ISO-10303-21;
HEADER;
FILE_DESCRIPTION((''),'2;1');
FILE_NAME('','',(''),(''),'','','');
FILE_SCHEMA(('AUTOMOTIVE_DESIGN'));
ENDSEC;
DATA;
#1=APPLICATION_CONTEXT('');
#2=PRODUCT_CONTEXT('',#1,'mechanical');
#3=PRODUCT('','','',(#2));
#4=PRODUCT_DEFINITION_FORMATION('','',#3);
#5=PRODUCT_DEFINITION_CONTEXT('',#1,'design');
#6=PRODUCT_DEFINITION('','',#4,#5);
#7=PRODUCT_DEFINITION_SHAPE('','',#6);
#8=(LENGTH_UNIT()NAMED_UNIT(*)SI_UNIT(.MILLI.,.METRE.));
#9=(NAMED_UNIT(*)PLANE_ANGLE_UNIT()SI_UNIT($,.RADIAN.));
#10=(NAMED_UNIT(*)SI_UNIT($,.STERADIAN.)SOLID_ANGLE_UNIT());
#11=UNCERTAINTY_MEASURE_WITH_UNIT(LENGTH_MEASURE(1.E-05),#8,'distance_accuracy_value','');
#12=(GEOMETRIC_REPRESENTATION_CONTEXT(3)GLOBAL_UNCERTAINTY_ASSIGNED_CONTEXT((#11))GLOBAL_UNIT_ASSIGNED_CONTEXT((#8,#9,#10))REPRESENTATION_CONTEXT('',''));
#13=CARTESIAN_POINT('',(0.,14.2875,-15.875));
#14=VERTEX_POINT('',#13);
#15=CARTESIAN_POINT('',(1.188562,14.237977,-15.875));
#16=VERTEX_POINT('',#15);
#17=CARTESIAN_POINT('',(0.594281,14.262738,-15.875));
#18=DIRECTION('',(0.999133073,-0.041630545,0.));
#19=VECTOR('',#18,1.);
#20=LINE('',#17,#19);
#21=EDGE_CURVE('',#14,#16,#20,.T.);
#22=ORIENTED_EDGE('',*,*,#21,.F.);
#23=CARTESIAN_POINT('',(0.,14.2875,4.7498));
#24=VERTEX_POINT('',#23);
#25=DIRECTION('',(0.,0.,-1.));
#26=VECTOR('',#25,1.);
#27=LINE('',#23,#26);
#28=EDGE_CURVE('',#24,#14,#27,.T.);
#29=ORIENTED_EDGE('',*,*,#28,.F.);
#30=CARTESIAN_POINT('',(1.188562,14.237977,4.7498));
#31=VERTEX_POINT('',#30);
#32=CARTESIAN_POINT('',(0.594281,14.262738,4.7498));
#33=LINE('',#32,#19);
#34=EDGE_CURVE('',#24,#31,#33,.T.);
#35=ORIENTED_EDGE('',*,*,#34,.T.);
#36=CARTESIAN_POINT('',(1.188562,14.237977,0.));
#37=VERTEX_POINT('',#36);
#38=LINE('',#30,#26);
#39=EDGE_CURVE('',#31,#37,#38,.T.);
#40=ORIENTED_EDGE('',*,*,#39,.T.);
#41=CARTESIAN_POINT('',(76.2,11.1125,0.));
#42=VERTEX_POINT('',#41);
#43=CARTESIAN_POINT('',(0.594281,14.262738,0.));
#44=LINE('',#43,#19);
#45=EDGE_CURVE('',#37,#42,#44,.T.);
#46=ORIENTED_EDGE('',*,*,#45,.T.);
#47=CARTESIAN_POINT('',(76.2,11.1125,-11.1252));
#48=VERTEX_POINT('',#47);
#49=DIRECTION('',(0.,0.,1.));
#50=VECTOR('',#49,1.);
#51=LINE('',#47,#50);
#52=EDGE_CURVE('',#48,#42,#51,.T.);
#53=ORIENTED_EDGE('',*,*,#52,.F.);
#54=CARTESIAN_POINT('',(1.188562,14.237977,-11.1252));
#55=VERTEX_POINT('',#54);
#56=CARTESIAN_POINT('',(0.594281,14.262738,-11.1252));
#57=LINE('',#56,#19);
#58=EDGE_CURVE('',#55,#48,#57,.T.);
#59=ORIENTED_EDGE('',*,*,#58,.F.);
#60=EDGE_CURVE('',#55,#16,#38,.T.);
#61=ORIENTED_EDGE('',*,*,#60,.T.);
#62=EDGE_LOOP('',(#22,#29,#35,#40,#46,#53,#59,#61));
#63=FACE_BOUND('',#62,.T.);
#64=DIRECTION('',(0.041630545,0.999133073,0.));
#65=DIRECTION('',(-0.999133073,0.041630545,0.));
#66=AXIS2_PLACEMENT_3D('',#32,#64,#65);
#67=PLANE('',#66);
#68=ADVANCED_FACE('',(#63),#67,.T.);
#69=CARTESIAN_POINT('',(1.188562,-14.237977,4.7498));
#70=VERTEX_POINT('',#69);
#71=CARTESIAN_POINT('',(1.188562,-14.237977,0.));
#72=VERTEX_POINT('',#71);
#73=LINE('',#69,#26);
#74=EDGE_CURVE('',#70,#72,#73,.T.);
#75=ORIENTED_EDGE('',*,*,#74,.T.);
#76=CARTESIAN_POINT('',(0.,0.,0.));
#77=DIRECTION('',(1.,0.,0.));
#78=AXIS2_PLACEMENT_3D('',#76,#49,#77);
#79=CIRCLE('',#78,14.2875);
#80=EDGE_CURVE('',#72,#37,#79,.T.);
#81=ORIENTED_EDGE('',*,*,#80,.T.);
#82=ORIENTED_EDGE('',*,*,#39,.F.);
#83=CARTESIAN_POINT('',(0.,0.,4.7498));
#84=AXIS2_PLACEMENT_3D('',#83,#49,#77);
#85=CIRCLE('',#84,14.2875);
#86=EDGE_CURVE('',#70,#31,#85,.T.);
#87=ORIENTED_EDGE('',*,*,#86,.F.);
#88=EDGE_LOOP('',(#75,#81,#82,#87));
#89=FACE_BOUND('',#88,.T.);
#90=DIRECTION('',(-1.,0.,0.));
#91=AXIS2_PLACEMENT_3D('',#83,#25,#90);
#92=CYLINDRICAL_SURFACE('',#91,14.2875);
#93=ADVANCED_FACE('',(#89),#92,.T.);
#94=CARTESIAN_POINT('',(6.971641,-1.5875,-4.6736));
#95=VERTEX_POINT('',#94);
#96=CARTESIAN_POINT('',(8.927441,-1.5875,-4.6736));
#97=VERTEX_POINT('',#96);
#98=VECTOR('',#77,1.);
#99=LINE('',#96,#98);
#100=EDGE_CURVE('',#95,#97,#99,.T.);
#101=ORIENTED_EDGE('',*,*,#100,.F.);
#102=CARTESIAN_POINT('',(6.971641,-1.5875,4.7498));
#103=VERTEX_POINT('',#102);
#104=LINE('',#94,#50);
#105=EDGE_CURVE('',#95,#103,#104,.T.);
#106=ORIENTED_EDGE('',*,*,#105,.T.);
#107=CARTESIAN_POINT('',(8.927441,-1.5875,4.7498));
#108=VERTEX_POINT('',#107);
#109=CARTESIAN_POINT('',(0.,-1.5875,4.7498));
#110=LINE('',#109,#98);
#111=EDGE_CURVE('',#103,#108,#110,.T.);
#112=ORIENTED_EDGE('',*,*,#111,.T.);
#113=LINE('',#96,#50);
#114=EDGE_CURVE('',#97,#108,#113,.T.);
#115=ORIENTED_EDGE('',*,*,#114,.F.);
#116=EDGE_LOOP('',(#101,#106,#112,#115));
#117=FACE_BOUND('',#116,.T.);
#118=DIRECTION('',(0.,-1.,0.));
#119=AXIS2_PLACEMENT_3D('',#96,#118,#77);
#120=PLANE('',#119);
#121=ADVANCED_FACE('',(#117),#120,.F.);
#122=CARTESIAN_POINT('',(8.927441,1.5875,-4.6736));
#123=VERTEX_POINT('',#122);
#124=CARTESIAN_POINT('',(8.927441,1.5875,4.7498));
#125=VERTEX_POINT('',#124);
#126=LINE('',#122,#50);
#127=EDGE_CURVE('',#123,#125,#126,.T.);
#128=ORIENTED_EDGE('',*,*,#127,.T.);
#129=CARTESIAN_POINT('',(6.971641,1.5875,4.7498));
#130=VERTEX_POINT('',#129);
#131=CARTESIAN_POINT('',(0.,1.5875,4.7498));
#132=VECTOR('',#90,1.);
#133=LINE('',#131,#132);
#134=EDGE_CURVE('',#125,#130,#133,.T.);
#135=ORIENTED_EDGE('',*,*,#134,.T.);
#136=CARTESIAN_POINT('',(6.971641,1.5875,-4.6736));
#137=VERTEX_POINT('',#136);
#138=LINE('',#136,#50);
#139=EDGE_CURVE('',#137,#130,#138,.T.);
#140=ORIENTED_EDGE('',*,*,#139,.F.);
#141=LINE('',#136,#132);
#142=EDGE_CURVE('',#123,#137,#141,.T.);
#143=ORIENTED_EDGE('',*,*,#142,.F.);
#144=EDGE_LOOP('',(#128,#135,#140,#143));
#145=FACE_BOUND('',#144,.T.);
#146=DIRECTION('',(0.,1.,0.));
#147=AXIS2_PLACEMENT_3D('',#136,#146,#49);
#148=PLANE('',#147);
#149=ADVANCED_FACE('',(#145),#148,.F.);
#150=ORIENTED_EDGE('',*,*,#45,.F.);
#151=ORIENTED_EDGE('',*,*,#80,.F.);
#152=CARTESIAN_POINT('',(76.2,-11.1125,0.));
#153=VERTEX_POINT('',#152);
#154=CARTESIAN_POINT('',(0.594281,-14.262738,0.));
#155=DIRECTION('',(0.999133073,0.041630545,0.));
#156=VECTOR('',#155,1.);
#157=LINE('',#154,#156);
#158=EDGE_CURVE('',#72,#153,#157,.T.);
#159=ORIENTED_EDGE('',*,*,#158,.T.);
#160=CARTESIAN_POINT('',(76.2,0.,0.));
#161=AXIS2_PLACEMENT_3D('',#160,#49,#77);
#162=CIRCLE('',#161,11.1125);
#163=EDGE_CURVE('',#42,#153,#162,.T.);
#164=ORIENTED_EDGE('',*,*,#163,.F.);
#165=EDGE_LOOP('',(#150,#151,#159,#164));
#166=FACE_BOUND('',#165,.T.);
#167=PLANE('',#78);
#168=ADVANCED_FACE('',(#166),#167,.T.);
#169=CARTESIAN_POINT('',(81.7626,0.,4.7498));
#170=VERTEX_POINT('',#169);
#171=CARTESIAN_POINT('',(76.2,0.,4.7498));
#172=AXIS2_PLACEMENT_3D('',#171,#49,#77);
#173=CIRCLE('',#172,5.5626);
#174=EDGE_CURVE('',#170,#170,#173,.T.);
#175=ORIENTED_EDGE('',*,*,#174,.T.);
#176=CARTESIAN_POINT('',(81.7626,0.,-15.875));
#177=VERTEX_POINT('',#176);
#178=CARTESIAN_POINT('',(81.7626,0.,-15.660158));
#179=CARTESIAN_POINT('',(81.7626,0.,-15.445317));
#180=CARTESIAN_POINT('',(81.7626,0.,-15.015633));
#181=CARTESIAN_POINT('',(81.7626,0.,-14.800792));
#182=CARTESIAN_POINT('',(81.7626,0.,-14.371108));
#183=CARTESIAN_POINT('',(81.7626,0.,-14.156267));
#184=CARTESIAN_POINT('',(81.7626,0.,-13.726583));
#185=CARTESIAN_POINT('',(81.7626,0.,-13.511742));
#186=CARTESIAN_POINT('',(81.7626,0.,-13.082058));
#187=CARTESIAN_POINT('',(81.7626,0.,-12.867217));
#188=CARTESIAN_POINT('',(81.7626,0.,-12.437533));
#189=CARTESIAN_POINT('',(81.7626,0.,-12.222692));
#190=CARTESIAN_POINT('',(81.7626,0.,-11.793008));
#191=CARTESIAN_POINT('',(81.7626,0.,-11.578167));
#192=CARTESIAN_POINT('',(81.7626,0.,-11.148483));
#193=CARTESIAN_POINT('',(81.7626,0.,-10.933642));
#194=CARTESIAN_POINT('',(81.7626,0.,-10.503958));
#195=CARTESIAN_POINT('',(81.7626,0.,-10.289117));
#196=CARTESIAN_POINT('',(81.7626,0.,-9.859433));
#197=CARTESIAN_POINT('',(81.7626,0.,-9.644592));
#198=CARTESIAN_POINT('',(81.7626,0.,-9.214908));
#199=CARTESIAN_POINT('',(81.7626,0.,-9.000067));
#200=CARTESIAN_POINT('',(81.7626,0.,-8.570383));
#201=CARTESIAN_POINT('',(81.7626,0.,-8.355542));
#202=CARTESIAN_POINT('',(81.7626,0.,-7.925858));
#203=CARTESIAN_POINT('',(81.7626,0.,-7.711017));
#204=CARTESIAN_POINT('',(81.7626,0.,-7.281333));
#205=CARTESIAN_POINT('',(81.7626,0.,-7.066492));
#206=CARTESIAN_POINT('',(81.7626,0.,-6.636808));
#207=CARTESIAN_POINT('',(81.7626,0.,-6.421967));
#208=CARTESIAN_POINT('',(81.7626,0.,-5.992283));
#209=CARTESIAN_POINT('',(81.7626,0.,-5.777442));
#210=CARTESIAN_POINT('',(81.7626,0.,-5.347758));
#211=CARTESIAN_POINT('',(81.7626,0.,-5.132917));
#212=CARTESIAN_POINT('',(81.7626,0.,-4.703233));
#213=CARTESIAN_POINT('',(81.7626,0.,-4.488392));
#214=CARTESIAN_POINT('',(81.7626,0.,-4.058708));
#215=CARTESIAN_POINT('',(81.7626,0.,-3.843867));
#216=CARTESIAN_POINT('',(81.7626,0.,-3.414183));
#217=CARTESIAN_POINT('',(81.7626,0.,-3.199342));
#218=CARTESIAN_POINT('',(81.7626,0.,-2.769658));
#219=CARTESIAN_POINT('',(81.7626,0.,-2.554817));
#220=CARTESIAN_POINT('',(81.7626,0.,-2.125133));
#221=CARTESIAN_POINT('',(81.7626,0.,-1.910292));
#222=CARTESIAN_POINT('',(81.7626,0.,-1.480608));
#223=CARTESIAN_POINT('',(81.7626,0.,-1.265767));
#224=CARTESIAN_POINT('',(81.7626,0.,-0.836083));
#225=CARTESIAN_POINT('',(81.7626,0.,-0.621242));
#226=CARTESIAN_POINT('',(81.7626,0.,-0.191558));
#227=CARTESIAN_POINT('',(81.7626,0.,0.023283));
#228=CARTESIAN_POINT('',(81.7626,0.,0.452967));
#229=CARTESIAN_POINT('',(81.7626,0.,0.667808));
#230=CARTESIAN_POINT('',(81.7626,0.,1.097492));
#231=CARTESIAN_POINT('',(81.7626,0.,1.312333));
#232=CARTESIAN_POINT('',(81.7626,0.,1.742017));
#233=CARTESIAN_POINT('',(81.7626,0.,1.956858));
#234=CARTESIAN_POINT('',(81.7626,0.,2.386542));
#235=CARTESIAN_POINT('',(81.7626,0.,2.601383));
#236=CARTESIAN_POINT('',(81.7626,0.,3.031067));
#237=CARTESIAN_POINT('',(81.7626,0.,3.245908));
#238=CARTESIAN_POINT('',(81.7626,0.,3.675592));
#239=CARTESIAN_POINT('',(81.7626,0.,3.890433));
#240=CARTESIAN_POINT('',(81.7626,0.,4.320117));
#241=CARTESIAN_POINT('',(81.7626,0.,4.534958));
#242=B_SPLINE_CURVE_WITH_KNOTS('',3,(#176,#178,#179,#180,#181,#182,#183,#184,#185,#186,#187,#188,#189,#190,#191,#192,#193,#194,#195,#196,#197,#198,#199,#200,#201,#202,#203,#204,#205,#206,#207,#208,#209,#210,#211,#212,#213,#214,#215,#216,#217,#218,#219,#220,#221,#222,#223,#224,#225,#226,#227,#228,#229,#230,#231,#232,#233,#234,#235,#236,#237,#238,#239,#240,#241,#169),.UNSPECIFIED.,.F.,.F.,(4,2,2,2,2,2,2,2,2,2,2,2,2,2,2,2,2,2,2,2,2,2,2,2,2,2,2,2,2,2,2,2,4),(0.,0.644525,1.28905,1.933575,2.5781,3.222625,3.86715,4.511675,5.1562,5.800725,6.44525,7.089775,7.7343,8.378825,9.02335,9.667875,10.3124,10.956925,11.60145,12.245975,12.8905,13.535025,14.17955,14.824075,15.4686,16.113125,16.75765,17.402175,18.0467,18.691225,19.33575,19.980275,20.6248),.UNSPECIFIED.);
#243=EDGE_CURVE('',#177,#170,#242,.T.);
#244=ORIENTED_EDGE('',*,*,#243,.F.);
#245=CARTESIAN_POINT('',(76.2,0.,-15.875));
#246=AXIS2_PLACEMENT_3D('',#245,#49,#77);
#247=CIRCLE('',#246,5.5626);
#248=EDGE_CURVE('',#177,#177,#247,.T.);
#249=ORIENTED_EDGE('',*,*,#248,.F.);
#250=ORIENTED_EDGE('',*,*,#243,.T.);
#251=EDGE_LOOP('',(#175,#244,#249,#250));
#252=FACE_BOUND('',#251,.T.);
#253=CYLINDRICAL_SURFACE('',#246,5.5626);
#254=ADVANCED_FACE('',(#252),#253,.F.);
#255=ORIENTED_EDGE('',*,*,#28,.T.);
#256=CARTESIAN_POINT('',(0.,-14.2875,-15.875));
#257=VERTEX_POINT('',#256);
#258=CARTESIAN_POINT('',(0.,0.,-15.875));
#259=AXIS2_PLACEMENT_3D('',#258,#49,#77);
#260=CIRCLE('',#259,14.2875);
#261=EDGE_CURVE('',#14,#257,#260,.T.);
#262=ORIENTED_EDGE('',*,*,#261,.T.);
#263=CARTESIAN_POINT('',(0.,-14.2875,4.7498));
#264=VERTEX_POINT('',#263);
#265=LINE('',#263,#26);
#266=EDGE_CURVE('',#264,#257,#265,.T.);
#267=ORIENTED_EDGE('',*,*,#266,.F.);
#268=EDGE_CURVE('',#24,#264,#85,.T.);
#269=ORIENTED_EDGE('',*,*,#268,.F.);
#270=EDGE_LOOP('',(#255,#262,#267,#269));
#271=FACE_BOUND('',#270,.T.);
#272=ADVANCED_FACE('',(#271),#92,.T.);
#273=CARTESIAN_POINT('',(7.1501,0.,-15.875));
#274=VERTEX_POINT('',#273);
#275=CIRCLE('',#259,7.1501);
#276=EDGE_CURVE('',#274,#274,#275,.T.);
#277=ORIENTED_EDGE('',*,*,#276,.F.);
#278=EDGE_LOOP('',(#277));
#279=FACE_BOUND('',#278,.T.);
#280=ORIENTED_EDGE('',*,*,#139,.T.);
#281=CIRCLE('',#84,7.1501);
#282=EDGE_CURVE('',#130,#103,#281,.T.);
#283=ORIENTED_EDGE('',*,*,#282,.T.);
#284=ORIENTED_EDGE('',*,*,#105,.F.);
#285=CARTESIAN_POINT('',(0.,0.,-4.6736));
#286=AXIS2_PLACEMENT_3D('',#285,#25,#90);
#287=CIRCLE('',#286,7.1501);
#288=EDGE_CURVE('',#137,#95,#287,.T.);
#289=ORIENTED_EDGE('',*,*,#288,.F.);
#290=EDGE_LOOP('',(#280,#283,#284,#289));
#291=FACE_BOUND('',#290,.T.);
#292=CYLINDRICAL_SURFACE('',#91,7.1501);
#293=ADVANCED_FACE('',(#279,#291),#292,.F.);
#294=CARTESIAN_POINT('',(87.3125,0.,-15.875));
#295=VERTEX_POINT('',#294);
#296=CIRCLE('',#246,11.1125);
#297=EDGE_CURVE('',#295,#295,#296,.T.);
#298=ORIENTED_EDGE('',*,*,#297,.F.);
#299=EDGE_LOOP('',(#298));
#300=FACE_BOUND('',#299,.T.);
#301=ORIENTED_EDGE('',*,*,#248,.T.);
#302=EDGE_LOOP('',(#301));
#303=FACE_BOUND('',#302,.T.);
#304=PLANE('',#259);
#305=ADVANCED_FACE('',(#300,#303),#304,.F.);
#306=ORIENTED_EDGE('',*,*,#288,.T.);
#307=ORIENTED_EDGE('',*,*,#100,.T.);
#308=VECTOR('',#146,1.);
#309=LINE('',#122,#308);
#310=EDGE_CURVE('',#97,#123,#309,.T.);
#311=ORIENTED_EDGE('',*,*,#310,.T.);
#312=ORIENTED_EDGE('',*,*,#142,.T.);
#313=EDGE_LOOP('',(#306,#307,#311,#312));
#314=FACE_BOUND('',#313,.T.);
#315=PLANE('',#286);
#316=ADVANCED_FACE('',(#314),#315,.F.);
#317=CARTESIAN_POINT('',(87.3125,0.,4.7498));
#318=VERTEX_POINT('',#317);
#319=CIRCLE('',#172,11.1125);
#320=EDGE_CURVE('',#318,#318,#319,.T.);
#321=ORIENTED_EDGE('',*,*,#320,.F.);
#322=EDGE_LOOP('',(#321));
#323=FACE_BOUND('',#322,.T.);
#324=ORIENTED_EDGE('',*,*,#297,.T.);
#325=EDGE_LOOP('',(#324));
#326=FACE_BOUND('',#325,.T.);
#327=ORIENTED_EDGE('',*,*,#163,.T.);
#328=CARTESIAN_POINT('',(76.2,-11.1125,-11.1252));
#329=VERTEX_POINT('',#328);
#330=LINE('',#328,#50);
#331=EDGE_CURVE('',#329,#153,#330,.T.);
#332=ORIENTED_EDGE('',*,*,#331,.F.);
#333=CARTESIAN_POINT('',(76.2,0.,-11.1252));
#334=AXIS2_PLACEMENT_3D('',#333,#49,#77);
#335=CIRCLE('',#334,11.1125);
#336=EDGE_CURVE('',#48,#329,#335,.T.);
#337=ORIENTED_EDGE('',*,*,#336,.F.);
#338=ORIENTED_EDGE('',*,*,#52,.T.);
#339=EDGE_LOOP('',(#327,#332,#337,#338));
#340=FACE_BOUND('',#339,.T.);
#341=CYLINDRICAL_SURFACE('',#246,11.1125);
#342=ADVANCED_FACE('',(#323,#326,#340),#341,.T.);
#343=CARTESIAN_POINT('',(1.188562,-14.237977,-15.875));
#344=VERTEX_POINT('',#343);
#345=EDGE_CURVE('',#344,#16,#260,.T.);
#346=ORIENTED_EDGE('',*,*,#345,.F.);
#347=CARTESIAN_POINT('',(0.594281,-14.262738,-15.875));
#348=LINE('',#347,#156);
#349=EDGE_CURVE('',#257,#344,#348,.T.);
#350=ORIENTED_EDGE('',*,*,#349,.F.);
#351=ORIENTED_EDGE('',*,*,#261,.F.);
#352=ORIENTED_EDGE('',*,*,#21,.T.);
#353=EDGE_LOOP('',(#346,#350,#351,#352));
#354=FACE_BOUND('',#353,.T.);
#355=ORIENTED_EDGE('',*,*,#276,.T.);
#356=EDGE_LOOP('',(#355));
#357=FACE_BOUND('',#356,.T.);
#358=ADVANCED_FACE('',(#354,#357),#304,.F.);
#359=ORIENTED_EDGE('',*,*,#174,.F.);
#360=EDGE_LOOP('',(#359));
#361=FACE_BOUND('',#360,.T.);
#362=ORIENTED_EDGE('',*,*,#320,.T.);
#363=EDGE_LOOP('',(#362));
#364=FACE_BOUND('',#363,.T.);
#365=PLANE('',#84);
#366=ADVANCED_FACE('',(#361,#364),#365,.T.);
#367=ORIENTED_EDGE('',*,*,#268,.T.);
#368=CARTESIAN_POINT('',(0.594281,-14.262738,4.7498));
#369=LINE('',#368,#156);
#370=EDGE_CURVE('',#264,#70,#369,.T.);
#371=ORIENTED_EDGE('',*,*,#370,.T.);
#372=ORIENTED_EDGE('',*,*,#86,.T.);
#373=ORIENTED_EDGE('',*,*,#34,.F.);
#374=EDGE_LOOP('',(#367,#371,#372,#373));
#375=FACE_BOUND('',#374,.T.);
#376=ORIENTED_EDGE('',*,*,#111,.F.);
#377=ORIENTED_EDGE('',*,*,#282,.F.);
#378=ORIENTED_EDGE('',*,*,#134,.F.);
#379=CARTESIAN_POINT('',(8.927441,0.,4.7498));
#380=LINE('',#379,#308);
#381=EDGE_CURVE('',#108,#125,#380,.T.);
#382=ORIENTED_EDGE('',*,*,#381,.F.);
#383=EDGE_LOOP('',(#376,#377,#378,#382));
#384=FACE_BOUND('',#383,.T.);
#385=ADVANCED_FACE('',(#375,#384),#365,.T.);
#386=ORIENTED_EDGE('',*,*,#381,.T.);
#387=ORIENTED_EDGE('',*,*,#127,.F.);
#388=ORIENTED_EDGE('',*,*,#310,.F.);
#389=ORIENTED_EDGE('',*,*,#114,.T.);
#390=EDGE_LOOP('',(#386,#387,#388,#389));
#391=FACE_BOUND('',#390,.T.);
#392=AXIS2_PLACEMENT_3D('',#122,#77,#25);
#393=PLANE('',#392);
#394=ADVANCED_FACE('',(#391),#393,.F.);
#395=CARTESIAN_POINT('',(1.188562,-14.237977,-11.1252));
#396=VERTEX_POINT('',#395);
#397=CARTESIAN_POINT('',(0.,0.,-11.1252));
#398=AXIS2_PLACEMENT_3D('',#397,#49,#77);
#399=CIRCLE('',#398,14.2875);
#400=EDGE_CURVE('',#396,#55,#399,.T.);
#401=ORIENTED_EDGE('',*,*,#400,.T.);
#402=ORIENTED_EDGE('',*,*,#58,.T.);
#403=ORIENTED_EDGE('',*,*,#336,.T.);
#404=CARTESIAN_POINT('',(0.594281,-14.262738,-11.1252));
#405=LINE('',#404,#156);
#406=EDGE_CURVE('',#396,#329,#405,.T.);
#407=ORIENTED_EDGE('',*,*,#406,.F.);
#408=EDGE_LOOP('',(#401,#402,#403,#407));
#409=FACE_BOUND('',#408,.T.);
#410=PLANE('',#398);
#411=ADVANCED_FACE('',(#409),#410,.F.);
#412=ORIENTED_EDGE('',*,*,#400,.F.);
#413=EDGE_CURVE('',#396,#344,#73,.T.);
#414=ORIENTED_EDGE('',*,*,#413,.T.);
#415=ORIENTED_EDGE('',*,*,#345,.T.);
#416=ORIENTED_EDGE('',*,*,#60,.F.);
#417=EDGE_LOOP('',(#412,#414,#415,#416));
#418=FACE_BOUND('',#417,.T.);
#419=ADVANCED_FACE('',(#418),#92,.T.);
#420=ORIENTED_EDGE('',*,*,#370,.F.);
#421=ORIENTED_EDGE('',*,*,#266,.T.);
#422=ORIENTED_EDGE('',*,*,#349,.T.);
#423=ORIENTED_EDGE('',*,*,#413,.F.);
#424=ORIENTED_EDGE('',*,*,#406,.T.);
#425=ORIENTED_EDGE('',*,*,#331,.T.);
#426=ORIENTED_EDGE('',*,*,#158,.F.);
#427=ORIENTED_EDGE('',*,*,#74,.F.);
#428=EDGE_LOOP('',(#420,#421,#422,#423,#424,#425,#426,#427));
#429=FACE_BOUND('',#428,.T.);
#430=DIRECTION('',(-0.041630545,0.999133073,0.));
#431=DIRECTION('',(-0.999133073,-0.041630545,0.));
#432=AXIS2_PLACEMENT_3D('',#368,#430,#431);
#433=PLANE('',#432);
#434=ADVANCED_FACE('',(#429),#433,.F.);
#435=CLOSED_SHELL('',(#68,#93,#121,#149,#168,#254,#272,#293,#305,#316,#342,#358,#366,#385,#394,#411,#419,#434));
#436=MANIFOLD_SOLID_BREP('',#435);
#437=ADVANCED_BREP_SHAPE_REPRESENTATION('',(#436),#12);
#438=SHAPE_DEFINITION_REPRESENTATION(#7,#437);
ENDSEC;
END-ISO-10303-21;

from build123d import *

# Parameters (mm, degrees)
SKETCH1_R               = 7.1501
BOSS_EXTRUDE1_DEPTH     = 4.7498
SKETCH1_R_2             = 11.1125
SKETCH1_R_3             = 5.5626
BOSS_EXTRUDE1_2_DEPTH   = 4.7498
BOSS_EXTRUDE2_DEPTH     = 11.1252
BOSS_EXTRUDE3_START     = -15.875
SKETCH1_4_R             = 7.1501
SKETCH1_4_R_2           = 11.1125
SKETCH1_4_R_3           = 5.5626
BOSS_EXTRUDE3_DEPTH     = 15.875
CUT_EXTRUDE2_DEPTH      = 4.826
CUT_EXTRUDE2_DEPTH_BACK = 4.6736


with BuildPart() as part:
    # Sketch1 → Boss-Extrude1 (new body)
    with BuildSketch(Plane.XY):
        with BuildLine():
            Line((1.188561525, 14.237976603), (0, 14.2875))
            ThreePointArc((0, 14.2875), (-14.2875, 0), (0, -14.2875))
            Line((0, -14.2875), (1.188561525, -14.237976603))
            ThreePointArc((1.188561525, -14.237976603), (14.2875, 0), (1.188561525, 14.237976603))
        make_face()
        Circle(SKETCH1_R, mode=Mode.SUBTRACT)
    extrude(amount=BOSS_EXTRUDE1_DEPTH)



with BuildPart() as body_2:
    # Sketch1 → Boss-Extrude1 2 (new body)
    with BuildSketch(Plane.XY):
        with Locations((76.2, 0)):
            Circle(SKETCH1_R_2)
        with Locations((76.2, 0)):
            Circle(SKETCH1_R_3, mode=Mode.SUBTRACT)
    extrude(amount=BOSS_EXTRUDE1_2_DEPTH)


with BuildPart() as body_3:
    # Sketch1<3> → Boss-Extrude2 (new body)
    with BuildSketch(Plane.XY):
        with BuildLine():
            Line((76.2, 11.1125), (1.188561525, 14.237976603))
            ThreePointArc((1.188561525, 14.237976603), (10.514614331, 9.673445184), (14.2875, 0))
            ThreePointArc((14.2875, 0), (10.514614331, -9.673445184), (1.188561525, -14.237976603))
            Line((1.188561525, -14.237976603), (76.2, -11.1125))
            ThreePointArc((76.2, -11.1125), (65.0875, 0), (76.2, 11.1125))
        make_face()
    extrude(amount=-BOSS_EXTRUDE2_DEPTH)


with BuildPart() as part_1:
    add(part.part)

    add(body_2.part)  # Boss-Extrude3 merges body 2

    add(body_3.part)  # Boss-Extrude3 merges body 3
    # Sketch1<4> → Boss-Extrude3 (add)
    # profile 1 of 2: a face of its own
    with BuildSketch(Plane.XY.offset(BOSS_EXTRUDE3_START)):
        with BuildLine():
            Line((1.188561525, 14.237976603), (0, 14.2875))
            ThreePointArc((0, 14.2875), (-14.2875, 0), (0, -14.2875))
            Line((0, -14.2875), (1.188561525, -14.237976603))
            ThreePointArc((1.188561525, -14.237976603), (14.2875, 0), (1.188561525, 14.237976603))
        make_face()
        Circle(SKETCH1_4_R, mode=Mode.SUBTRACT)
    # profile 2 of 2: a face of its own
    with BuildSketch(Plane.XY.offset(BOSS_EXTRUDE3_START)):
        with Locations((76.2, 0)):
            Circle(SKETCH1_4_R_2)
        with Locations((76.2, 0)):
            Circle(SKETCH1_4_R_3, mode=Mode.SUBTRACT)
    extrude(amount=BOSS_EXTRUDE3_DEPTH)

    # Sketch2 → Cut-Extrude2 (cut, two sides: drawn at the far end of the back side and taken through both)
    with BuildSketch(Plane.XY.offset(-CUT_EXTRUDE2_DEPTH_BACK)):
        Polygon((6.971640679, 0), (6.971640679, 1.5875), (8.927440679, 1.5875), (8.927440679, -1.5875), (6.971640679, -1.5875), align=None)
    extrude(amount=CUT_EXTRUDE2_DEPTH + CUT_EXTRUDE2_DEPTH_BACK, mode=Mode.SUBTRACT)


solid = part_1.part
